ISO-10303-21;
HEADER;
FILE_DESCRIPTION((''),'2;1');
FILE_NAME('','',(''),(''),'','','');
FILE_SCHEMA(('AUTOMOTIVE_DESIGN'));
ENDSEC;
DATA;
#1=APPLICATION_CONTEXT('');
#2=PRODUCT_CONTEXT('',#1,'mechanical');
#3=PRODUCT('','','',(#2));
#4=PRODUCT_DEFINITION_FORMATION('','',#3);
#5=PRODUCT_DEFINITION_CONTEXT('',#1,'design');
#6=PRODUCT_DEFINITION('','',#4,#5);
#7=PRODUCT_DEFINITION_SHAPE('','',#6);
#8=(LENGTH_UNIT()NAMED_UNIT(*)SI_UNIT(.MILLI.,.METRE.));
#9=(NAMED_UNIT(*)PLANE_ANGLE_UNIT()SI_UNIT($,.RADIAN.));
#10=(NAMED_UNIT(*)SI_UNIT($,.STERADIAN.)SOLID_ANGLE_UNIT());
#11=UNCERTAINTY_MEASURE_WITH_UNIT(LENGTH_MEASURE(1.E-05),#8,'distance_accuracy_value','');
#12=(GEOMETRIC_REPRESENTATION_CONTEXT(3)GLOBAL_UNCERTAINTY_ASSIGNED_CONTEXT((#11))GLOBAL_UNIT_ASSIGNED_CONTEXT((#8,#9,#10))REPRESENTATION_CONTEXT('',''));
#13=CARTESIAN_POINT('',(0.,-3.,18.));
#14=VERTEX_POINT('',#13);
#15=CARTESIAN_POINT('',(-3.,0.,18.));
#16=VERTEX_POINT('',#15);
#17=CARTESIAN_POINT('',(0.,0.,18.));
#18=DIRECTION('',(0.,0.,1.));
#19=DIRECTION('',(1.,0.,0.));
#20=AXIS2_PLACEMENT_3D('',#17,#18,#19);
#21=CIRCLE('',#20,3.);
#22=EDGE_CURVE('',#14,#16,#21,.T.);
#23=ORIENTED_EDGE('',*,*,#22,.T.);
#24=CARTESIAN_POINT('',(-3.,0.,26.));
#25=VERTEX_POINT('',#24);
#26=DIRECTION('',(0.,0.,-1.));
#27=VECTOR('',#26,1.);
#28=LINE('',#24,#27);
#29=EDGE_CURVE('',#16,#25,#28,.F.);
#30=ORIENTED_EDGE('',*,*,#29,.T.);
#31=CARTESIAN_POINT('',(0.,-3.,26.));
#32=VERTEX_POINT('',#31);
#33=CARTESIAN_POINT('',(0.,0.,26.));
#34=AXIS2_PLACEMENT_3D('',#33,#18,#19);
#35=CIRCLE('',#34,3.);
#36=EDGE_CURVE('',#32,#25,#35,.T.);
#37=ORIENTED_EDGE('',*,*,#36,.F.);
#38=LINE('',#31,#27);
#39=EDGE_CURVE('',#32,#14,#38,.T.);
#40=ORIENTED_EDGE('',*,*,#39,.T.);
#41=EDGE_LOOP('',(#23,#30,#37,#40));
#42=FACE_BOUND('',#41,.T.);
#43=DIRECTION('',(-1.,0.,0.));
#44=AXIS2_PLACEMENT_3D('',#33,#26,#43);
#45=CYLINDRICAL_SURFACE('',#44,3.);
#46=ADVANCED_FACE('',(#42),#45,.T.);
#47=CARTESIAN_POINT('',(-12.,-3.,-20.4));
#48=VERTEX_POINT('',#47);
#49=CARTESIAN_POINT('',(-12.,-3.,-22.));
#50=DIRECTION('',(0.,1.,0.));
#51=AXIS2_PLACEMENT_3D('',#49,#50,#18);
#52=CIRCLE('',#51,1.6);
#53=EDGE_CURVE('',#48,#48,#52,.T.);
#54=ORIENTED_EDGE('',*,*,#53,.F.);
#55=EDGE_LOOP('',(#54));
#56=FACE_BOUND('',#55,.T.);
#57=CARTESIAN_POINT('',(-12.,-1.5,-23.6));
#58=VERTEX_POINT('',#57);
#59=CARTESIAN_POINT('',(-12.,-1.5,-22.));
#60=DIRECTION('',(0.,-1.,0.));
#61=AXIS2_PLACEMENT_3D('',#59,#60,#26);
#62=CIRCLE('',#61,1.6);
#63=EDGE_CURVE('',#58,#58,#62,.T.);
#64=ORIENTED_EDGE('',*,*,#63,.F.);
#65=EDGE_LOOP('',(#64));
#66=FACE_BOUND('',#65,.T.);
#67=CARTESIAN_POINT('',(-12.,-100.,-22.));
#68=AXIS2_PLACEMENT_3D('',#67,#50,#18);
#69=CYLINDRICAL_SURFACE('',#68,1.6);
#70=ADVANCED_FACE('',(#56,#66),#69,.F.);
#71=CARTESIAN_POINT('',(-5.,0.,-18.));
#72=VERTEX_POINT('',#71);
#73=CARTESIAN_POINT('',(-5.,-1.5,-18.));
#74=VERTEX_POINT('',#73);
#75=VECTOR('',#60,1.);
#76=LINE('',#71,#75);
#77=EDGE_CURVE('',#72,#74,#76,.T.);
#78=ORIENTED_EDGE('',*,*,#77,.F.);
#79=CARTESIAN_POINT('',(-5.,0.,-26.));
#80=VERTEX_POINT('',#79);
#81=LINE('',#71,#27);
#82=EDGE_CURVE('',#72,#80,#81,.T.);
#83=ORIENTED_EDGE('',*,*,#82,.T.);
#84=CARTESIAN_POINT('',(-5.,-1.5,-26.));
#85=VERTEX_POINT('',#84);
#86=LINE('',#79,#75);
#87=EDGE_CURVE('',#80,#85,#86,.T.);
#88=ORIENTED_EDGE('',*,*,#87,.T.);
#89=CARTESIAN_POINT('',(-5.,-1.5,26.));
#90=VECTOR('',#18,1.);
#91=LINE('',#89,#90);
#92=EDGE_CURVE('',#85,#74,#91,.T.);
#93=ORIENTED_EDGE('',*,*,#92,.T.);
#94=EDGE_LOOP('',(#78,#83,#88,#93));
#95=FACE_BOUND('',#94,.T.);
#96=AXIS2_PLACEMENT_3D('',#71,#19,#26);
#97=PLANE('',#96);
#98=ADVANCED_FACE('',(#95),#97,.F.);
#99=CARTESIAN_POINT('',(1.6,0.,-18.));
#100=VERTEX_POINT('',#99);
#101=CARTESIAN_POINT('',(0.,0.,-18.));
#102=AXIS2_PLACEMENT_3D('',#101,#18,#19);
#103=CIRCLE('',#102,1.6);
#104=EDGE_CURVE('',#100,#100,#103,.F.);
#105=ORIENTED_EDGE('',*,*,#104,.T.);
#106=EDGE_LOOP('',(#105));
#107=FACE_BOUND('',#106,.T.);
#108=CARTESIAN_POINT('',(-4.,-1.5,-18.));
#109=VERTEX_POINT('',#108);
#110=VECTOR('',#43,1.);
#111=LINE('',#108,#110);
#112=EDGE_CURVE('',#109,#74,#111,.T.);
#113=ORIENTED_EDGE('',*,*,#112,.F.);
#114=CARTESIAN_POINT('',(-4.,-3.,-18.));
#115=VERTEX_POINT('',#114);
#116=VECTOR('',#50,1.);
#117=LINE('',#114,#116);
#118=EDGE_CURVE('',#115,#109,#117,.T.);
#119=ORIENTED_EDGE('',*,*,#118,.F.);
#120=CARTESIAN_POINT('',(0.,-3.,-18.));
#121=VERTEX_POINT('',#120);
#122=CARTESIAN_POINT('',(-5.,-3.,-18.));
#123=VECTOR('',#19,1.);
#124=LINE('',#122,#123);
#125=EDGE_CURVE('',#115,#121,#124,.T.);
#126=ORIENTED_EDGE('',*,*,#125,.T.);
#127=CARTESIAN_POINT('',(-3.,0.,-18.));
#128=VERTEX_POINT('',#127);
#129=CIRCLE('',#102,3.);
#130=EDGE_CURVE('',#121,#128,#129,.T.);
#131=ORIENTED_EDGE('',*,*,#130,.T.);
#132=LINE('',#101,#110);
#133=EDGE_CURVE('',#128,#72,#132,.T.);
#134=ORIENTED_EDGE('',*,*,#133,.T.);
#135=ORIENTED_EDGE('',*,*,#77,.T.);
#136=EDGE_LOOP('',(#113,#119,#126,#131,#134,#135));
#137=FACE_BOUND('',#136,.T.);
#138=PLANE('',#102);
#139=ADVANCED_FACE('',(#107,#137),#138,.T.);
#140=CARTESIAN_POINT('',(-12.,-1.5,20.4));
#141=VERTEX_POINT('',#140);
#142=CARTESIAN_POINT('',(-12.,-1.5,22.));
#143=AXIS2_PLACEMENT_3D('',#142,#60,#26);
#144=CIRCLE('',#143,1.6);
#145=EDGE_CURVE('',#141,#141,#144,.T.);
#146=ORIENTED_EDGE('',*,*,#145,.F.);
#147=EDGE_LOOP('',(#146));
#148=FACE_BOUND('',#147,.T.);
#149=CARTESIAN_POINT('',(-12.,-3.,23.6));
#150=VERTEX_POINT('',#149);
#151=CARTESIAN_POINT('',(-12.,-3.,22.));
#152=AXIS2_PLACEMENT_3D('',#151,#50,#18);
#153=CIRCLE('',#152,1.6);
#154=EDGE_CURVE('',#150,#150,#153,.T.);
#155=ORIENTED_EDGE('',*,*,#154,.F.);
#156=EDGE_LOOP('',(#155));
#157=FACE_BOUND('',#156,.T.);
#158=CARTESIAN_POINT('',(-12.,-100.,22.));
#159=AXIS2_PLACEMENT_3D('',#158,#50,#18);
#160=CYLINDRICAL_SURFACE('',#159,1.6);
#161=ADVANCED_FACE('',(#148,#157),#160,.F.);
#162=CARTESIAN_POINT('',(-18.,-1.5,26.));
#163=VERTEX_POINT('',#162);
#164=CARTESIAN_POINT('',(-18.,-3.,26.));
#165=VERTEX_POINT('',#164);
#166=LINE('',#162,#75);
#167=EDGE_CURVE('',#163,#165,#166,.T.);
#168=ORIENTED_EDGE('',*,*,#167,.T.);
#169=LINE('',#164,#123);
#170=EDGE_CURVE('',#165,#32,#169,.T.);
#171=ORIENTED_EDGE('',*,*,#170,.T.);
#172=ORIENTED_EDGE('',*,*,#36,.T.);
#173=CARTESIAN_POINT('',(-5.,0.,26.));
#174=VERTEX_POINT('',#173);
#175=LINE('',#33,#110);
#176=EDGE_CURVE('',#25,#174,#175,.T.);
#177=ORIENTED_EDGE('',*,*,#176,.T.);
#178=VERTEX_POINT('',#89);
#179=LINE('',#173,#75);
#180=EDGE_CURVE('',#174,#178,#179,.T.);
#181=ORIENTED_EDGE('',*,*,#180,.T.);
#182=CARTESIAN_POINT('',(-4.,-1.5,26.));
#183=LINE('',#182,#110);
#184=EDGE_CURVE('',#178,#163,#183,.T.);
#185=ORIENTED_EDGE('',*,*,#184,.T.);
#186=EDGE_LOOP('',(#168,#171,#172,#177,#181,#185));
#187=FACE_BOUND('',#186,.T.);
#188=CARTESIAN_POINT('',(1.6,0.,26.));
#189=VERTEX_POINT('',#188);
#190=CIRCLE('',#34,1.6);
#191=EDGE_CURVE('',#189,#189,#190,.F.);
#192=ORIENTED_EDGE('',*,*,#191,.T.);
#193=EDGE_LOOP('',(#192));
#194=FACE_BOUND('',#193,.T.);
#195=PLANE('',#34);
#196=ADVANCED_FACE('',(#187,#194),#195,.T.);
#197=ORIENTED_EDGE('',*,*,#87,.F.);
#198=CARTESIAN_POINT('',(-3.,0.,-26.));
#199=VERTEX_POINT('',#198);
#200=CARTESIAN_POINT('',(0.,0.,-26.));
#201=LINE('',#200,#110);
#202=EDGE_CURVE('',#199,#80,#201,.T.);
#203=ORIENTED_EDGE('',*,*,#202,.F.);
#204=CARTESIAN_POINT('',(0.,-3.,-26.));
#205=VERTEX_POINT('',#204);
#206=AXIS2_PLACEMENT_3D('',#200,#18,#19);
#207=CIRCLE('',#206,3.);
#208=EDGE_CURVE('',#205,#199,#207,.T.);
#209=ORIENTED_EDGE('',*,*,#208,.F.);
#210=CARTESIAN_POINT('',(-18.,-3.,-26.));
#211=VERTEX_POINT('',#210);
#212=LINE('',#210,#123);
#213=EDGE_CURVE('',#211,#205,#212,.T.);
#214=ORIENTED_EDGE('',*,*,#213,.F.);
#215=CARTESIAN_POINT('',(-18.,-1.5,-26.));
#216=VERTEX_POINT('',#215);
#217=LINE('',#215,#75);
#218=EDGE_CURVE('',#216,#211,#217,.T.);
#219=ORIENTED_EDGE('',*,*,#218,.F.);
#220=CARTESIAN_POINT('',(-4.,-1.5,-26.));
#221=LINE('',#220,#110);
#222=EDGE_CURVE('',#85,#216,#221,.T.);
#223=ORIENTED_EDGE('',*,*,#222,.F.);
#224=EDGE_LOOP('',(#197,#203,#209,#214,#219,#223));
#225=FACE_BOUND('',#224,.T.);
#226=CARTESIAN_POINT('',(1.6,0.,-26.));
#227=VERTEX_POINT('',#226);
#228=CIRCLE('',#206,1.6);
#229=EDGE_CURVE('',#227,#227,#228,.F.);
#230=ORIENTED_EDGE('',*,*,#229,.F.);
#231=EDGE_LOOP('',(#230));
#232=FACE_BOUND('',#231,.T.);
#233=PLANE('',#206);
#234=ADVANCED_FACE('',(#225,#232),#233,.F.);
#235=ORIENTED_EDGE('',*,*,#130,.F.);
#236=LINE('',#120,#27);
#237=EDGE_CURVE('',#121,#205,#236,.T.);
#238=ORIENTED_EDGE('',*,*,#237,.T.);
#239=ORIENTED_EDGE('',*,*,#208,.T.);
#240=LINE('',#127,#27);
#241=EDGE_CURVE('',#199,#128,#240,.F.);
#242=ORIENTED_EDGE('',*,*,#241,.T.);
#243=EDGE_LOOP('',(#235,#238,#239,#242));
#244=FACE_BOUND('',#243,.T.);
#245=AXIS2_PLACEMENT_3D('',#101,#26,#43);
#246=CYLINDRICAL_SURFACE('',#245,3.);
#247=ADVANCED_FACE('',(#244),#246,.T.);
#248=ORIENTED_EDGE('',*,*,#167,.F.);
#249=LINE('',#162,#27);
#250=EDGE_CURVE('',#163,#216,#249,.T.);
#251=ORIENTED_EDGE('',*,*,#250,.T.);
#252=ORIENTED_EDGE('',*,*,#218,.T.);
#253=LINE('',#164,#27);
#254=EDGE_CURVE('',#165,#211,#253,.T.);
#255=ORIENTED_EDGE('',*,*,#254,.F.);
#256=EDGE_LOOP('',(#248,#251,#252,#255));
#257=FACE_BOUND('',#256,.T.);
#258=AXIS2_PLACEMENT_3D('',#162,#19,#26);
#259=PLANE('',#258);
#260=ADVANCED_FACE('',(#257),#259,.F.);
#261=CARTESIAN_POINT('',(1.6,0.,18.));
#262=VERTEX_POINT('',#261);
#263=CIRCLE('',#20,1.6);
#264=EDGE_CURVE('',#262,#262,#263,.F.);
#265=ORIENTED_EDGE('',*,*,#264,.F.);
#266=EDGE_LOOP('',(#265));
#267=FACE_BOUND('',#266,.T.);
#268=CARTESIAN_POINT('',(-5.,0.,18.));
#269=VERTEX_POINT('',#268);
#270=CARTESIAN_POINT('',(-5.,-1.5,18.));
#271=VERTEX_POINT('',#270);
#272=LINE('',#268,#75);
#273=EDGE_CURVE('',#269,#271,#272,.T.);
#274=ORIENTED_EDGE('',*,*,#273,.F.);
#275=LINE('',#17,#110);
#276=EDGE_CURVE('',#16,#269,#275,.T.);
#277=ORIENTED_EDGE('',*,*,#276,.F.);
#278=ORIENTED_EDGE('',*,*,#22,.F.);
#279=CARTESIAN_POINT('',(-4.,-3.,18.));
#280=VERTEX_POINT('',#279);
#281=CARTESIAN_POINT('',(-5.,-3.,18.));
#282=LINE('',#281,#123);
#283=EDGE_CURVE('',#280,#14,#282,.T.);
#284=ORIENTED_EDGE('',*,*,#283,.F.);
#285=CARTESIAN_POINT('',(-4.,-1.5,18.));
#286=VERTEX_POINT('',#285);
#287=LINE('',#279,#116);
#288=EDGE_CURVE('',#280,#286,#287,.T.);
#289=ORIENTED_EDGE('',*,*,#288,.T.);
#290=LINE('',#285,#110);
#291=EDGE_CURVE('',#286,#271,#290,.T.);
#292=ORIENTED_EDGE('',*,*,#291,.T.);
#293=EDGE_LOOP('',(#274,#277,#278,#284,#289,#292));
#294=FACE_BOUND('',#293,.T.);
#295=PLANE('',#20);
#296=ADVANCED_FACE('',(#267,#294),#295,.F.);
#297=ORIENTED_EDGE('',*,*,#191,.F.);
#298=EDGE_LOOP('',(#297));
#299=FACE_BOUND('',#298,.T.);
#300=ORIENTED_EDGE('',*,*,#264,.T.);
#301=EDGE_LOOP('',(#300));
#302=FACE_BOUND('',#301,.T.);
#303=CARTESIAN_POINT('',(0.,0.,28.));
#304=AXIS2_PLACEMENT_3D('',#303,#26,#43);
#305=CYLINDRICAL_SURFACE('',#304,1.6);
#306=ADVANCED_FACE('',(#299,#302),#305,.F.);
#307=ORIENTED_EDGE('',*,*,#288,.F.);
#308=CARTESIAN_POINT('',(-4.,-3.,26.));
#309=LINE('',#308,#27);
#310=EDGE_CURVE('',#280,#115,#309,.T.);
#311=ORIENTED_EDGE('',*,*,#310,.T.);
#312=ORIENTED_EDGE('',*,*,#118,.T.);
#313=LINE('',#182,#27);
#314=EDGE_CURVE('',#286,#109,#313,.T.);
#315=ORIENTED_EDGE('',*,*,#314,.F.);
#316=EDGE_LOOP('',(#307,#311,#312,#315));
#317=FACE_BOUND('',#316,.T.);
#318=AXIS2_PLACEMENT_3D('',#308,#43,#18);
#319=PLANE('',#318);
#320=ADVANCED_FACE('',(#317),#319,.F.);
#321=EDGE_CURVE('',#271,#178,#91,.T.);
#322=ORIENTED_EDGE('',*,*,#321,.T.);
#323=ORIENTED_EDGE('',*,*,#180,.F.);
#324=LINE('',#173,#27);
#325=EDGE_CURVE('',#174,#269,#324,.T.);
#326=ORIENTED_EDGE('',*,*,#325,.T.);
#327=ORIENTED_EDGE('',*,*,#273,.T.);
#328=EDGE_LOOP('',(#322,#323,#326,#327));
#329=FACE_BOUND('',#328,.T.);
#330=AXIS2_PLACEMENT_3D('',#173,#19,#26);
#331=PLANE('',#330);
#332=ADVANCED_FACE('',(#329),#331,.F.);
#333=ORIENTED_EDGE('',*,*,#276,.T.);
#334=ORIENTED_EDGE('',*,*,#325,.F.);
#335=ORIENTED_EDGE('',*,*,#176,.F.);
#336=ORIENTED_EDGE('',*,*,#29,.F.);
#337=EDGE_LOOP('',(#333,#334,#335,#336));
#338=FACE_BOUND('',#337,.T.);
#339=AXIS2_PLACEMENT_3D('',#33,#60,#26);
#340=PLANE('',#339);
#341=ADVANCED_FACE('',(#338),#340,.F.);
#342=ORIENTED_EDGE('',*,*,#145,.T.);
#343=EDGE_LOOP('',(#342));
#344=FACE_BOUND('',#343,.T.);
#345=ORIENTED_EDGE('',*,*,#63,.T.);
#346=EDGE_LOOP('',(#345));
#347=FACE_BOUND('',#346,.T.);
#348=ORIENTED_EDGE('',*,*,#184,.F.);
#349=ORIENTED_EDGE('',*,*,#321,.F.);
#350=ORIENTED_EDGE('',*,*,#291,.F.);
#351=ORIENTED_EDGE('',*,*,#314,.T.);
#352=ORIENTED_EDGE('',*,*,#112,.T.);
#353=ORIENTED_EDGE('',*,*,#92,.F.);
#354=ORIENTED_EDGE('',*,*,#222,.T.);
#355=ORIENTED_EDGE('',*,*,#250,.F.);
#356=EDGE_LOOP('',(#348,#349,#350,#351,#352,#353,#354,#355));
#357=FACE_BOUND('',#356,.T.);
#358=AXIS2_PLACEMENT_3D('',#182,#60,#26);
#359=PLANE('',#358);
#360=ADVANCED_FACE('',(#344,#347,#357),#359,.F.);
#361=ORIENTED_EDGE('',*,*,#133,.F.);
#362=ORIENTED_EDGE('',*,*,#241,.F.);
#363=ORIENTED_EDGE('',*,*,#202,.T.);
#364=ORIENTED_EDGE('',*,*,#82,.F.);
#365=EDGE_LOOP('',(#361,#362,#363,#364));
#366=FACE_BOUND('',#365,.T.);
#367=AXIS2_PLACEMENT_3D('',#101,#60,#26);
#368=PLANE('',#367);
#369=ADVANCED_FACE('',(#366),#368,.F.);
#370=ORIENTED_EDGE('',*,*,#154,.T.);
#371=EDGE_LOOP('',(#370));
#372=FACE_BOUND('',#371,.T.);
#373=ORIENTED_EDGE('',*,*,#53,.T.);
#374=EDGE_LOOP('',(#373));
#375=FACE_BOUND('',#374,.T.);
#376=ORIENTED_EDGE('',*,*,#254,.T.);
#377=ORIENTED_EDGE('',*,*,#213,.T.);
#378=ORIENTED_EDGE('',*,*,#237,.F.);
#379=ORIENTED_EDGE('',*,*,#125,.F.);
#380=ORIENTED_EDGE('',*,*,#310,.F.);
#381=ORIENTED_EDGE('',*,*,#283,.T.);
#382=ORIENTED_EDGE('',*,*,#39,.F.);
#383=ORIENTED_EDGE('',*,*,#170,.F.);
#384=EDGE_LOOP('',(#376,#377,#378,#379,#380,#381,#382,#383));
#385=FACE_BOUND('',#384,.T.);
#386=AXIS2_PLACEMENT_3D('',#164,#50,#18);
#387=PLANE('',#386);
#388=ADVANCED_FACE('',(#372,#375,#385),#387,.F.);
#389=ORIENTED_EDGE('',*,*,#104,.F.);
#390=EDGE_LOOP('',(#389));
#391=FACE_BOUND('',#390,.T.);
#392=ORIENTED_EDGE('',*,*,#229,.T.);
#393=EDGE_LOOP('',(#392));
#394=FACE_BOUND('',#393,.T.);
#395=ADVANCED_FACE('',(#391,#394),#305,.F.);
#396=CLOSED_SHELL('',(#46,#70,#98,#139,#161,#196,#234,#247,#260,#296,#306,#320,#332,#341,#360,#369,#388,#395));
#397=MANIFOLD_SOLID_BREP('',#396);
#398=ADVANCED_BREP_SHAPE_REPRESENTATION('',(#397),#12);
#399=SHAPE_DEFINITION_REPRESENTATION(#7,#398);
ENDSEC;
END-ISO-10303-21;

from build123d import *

# Parameters (mm, degrees)
EXTRUDE_START             = -26
SKETCH_1_W                = 14
SKETCH_1_H                = 1.5
EXTRUDE_241_DEPTH         = 52
SKETCH_2_W                = 5
SKETCH_2_H                = 3
EXTRUDE_321_DEPTH         = 8
SKETCH_3_R                = 3
EXTRUDE_392_DEPTH         = 8
EXTRUDE_START_2           = 18
SKETCH_4_W                = 5
SKETCH_4_H                = 3
EXTRUDE_4_DEPTH           = 8
SKETCH_5_R                = 3
EXTRUDE_5_DEPTH           = 8
D3P2_START                = -28
SKETCH_6_R                = 1.6
D3P2_DEPTH                = 56
CUT_EXTRUDE_M3_DEPTH      = 100
CUT_EXTRUDE_M3_DEPTH_BACK = 100
SKETCH_7_R                = 1.6
CUT_EXTRUDE_3_DEPTH       = 100
CUT_EXTRUDE_3_DEPTH_BACK  = 100
SKETCH_8_R                = 1.6


with BuildPart() as part:
    # 草图1 → Extrude 241 (new body)
    with BuildSketch(Plane.XY.offset(EXTRUDE_START)):
        with Locations((-11, -2.25)):
            Rectangle(SKETCH_1_W, SKETCH_1_H)
    extrude(amount=EXTRUDE_241_DEPTH)

    # 草图2 → Extrude 321 (add)
    with BuildSketch(Plane.XY.offset(EXTRUDE_START)):
        with Locations((-2.5, -1.5)):
            Rectangle(SKETCH_2_W, SKETCH_2_H)
    extrude(amount=EXTRUDE_321_DEPTH)

    # 草图3 → Extrude 392 (add)
    with BuildSketch(Plane.XY.offset(EXTRUDE_START)):
        Circle(SKETCH_3_R)
    extrude(amount=EXTRUDE_392_DEPTH)

    # 草图4 → 凸台-拉伸4 (add)
    with BuildSketch(Plane.XY.offset(EXTRUDE_START_2)):
        with Locations((-2.5, -1.5)):
            Rectangle(SKETCH_4_W, SKETCH_4_H)
    extrude(amount=EXTRUDE_4_DEPTH)

    # 草图5 → 凸台-拉伸5 (add)
    with BuildSketch(Plane.XY.offset(EXTRUDE_START_2)):
        Circle(SKETCH_5_R)
    extrude(amount=EXTRUDE_5_DEPTH)

    # 草图6 → D3p2转轴通孔 (cut)
    with BuildSketch(Plane.XY.offset(D3P2_START)):
        Circle(SKETCH_6_R)
    extrude(amount=D3P2_DEPTH, mode=Mode.SUBTRACT)

    # 草图7 → 底板M3安装孔 (cut, two sides: drawn at the far end of the back side and taken through both)
    with BuildSketch(Plane(origin=(0, 0, 0), x_dir=(1, 0, 0), z_dir=(0, 1, 0)).offset(-CUT_EXTRUDE_M3_DEPTH_BACK)):
        with Locations(Location((-12, 22, 0), (0, 0, 270))):
            Circle(SKETCH_7_R)
    extrude(amount=CUT_EXTRUDE_M3_DEPTH + CUT_EXTRUDE_M3_DEPTH_BACK, mode=Mode.SUBTRACT)

    # 草图8 → 切除-拉伸3 (cut, two sides: drawn at the far end of the back side and taken through both)
    with BuildSketch(Plane(origin=(0, 0, 0), x_dir=(1, 0, 0), z_dir=(0, 1, 0)).offset(-CUT_EXTRUDE_3_DEPTH_BACK)):
        with Locations(Location((-12, -22, 0), (0, 0, 270))):
            Circle(SKETCH_8_R)
    extrude(amount=CUT_EXTRUDE_3_DEPTH + CUT_EXTRUDE_3_DEPTH_BACK, mode=Mode.SUBTRACT)


solid = part.part
